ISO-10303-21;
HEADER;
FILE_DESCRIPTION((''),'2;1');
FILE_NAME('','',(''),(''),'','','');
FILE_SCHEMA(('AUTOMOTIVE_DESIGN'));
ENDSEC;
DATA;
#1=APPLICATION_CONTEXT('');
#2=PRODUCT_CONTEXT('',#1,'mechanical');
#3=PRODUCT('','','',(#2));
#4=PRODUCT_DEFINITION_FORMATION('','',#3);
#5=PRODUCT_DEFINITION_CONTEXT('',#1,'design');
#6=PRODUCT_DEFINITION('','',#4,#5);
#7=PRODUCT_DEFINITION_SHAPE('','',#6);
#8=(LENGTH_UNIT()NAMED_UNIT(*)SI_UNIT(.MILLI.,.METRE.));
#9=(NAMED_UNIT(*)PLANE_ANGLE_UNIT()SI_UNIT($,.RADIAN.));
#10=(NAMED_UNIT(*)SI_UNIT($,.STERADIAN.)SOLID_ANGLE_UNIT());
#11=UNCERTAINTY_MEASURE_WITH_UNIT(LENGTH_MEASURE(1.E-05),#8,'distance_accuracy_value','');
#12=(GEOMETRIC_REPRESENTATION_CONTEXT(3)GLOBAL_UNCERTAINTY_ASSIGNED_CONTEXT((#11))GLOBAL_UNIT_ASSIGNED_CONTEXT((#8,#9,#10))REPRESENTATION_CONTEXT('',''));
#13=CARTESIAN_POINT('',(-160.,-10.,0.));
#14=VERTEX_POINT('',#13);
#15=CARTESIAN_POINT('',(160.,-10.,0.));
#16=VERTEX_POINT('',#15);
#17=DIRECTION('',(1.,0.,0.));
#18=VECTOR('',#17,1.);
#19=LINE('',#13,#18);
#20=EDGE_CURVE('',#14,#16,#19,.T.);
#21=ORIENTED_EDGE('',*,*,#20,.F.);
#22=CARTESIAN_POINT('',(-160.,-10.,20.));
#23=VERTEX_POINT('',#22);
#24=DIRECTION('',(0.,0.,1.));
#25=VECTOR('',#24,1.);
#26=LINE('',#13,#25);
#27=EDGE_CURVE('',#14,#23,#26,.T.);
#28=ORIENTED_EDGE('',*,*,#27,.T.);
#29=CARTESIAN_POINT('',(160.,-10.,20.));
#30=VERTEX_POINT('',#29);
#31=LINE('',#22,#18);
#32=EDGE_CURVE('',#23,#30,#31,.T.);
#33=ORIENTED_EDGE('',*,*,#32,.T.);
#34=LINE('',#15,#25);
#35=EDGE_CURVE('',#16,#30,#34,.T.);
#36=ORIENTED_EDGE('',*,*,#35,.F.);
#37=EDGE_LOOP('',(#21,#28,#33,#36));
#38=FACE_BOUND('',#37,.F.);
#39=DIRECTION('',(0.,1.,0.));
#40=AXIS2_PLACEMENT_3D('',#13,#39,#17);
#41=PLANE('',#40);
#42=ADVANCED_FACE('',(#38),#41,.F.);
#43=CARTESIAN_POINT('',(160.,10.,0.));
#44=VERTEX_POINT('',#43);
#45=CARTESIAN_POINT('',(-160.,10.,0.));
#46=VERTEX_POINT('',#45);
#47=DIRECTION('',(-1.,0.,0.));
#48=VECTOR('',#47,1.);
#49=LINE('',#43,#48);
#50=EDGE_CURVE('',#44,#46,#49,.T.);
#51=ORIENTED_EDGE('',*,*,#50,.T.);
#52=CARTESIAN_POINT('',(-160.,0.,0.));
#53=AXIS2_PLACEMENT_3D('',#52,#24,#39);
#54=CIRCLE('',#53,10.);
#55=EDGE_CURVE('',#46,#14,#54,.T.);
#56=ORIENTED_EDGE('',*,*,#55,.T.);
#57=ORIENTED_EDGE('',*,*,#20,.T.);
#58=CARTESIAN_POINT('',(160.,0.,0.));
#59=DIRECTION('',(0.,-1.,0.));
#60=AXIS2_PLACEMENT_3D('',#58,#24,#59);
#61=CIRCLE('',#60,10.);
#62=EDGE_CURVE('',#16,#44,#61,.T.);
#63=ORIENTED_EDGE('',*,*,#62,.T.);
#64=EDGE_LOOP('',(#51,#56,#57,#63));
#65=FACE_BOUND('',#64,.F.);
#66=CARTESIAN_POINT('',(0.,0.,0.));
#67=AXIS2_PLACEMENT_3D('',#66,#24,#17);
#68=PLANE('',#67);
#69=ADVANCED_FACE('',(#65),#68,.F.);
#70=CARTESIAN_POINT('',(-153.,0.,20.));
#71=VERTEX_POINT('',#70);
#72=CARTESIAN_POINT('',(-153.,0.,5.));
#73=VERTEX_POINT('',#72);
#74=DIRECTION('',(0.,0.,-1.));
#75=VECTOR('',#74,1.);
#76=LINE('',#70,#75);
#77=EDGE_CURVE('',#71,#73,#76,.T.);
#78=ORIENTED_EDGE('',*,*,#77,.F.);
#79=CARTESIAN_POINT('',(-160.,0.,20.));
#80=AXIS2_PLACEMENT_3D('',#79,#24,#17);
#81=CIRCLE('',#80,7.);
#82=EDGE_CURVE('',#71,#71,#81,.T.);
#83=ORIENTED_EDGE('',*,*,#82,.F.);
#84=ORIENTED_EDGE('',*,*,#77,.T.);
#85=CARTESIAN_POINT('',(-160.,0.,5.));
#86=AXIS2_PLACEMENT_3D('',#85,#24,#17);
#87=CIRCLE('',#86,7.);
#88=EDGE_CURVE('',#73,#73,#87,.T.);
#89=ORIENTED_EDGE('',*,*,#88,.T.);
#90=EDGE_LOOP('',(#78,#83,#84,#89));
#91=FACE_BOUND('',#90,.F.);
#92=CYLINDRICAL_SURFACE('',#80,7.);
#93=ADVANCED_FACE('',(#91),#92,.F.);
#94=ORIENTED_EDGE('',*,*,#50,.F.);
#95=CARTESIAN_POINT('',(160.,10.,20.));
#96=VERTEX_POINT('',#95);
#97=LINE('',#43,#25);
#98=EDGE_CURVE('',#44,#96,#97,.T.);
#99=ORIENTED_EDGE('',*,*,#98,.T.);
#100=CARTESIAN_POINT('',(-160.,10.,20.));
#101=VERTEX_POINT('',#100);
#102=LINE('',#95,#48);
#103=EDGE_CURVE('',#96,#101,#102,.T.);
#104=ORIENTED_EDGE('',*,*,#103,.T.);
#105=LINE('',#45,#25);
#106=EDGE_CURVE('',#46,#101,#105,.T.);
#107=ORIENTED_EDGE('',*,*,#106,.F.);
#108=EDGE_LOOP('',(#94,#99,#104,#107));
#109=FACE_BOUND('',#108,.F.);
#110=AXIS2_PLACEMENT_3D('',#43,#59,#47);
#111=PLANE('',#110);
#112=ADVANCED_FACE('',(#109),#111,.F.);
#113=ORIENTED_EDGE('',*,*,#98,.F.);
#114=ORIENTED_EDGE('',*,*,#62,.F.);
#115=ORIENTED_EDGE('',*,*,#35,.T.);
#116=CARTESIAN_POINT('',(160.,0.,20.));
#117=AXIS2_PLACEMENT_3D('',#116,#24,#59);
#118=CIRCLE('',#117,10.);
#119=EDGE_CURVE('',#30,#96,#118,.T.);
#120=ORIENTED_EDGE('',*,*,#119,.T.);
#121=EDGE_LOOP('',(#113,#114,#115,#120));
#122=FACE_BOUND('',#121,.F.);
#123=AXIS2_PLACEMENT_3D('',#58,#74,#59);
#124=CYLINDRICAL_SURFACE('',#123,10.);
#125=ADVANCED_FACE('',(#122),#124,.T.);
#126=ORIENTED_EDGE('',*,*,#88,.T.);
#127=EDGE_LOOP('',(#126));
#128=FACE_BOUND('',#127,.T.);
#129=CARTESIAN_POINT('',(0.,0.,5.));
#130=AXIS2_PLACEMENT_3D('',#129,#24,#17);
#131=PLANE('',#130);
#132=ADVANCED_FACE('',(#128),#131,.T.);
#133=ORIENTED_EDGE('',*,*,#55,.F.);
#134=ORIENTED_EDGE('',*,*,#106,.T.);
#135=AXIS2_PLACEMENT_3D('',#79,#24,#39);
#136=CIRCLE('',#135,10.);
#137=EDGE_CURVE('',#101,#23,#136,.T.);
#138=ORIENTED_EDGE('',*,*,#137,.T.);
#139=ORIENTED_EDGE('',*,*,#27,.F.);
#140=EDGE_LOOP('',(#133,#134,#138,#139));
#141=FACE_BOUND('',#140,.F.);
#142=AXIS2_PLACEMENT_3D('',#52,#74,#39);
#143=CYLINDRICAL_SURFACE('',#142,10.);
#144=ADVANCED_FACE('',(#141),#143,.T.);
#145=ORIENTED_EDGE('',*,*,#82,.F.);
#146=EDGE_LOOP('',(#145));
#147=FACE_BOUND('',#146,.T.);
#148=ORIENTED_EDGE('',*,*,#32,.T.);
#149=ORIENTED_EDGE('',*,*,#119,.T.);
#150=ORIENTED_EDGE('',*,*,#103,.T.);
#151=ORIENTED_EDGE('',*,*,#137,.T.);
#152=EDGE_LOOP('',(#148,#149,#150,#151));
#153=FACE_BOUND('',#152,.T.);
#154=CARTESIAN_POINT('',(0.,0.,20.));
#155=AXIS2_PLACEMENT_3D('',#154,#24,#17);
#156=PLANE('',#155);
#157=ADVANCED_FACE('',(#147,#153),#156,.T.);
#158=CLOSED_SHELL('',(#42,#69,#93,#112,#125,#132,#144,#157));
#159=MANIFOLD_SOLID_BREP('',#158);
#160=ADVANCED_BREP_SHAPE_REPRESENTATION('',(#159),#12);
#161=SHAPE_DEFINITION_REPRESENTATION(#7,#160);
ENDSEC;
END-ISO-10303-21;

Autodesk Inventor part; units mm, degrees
ref_plane "YZ Plane" through (0, 0, 0) normal (1, 0, 0) x (0, 1, 0)
ref_plane "XZ Plane" through (0, 0, 0) normal (0, 1, 0) x (-1, 0, 0)
ref_plane "XY Plane" through (0, 0, 0) normal (0, 0, 1) x (1, 0, 0)
sketch "Sketch1" plane through (0, 0, 0) normal (0, 0, 1) x (1, 0, 0)
  line L0 (-160, -10) -> (160, -10)
  line L1 (160, -10) -> (160, 10) construction
  line L2 (160, 10) -> (-160, 10)
  line L3 (-160, 10) -> (-160, -10) construction
  line L4 (-160, -10) -> (160, 10) construction
  line L5 (160, -10) -> (-160, 10) construction
  arc A0 (-160, 10) -> (-160, -10) centre (-160, 0) ccw
  arc A1 (160, -10) -> (160, 10) centre (160, 0) ccw
  point P0 (0, 0)
  dimension "d0" = 320
  dimension "d1" = 20
extrude "Extrusion1" add sketch "Sketch1" along normal blind 20
sketch "Sketch3" plane through (0, 0, 20) normal (0, 0, 1) x (1, 0, 0)
  arc A0 (-160, 10) -> (-160, -10) centre (-160, 0) ccw projected
  circle A1 centre (-160, 0) radius 7
  point P0 (0, 0)
  dimension "d7" = 14
extrude "Extrusion3" cut sketch "Sketch3" against normal blind 15
properties part number "u_kleine_Hoehenverstellung"
